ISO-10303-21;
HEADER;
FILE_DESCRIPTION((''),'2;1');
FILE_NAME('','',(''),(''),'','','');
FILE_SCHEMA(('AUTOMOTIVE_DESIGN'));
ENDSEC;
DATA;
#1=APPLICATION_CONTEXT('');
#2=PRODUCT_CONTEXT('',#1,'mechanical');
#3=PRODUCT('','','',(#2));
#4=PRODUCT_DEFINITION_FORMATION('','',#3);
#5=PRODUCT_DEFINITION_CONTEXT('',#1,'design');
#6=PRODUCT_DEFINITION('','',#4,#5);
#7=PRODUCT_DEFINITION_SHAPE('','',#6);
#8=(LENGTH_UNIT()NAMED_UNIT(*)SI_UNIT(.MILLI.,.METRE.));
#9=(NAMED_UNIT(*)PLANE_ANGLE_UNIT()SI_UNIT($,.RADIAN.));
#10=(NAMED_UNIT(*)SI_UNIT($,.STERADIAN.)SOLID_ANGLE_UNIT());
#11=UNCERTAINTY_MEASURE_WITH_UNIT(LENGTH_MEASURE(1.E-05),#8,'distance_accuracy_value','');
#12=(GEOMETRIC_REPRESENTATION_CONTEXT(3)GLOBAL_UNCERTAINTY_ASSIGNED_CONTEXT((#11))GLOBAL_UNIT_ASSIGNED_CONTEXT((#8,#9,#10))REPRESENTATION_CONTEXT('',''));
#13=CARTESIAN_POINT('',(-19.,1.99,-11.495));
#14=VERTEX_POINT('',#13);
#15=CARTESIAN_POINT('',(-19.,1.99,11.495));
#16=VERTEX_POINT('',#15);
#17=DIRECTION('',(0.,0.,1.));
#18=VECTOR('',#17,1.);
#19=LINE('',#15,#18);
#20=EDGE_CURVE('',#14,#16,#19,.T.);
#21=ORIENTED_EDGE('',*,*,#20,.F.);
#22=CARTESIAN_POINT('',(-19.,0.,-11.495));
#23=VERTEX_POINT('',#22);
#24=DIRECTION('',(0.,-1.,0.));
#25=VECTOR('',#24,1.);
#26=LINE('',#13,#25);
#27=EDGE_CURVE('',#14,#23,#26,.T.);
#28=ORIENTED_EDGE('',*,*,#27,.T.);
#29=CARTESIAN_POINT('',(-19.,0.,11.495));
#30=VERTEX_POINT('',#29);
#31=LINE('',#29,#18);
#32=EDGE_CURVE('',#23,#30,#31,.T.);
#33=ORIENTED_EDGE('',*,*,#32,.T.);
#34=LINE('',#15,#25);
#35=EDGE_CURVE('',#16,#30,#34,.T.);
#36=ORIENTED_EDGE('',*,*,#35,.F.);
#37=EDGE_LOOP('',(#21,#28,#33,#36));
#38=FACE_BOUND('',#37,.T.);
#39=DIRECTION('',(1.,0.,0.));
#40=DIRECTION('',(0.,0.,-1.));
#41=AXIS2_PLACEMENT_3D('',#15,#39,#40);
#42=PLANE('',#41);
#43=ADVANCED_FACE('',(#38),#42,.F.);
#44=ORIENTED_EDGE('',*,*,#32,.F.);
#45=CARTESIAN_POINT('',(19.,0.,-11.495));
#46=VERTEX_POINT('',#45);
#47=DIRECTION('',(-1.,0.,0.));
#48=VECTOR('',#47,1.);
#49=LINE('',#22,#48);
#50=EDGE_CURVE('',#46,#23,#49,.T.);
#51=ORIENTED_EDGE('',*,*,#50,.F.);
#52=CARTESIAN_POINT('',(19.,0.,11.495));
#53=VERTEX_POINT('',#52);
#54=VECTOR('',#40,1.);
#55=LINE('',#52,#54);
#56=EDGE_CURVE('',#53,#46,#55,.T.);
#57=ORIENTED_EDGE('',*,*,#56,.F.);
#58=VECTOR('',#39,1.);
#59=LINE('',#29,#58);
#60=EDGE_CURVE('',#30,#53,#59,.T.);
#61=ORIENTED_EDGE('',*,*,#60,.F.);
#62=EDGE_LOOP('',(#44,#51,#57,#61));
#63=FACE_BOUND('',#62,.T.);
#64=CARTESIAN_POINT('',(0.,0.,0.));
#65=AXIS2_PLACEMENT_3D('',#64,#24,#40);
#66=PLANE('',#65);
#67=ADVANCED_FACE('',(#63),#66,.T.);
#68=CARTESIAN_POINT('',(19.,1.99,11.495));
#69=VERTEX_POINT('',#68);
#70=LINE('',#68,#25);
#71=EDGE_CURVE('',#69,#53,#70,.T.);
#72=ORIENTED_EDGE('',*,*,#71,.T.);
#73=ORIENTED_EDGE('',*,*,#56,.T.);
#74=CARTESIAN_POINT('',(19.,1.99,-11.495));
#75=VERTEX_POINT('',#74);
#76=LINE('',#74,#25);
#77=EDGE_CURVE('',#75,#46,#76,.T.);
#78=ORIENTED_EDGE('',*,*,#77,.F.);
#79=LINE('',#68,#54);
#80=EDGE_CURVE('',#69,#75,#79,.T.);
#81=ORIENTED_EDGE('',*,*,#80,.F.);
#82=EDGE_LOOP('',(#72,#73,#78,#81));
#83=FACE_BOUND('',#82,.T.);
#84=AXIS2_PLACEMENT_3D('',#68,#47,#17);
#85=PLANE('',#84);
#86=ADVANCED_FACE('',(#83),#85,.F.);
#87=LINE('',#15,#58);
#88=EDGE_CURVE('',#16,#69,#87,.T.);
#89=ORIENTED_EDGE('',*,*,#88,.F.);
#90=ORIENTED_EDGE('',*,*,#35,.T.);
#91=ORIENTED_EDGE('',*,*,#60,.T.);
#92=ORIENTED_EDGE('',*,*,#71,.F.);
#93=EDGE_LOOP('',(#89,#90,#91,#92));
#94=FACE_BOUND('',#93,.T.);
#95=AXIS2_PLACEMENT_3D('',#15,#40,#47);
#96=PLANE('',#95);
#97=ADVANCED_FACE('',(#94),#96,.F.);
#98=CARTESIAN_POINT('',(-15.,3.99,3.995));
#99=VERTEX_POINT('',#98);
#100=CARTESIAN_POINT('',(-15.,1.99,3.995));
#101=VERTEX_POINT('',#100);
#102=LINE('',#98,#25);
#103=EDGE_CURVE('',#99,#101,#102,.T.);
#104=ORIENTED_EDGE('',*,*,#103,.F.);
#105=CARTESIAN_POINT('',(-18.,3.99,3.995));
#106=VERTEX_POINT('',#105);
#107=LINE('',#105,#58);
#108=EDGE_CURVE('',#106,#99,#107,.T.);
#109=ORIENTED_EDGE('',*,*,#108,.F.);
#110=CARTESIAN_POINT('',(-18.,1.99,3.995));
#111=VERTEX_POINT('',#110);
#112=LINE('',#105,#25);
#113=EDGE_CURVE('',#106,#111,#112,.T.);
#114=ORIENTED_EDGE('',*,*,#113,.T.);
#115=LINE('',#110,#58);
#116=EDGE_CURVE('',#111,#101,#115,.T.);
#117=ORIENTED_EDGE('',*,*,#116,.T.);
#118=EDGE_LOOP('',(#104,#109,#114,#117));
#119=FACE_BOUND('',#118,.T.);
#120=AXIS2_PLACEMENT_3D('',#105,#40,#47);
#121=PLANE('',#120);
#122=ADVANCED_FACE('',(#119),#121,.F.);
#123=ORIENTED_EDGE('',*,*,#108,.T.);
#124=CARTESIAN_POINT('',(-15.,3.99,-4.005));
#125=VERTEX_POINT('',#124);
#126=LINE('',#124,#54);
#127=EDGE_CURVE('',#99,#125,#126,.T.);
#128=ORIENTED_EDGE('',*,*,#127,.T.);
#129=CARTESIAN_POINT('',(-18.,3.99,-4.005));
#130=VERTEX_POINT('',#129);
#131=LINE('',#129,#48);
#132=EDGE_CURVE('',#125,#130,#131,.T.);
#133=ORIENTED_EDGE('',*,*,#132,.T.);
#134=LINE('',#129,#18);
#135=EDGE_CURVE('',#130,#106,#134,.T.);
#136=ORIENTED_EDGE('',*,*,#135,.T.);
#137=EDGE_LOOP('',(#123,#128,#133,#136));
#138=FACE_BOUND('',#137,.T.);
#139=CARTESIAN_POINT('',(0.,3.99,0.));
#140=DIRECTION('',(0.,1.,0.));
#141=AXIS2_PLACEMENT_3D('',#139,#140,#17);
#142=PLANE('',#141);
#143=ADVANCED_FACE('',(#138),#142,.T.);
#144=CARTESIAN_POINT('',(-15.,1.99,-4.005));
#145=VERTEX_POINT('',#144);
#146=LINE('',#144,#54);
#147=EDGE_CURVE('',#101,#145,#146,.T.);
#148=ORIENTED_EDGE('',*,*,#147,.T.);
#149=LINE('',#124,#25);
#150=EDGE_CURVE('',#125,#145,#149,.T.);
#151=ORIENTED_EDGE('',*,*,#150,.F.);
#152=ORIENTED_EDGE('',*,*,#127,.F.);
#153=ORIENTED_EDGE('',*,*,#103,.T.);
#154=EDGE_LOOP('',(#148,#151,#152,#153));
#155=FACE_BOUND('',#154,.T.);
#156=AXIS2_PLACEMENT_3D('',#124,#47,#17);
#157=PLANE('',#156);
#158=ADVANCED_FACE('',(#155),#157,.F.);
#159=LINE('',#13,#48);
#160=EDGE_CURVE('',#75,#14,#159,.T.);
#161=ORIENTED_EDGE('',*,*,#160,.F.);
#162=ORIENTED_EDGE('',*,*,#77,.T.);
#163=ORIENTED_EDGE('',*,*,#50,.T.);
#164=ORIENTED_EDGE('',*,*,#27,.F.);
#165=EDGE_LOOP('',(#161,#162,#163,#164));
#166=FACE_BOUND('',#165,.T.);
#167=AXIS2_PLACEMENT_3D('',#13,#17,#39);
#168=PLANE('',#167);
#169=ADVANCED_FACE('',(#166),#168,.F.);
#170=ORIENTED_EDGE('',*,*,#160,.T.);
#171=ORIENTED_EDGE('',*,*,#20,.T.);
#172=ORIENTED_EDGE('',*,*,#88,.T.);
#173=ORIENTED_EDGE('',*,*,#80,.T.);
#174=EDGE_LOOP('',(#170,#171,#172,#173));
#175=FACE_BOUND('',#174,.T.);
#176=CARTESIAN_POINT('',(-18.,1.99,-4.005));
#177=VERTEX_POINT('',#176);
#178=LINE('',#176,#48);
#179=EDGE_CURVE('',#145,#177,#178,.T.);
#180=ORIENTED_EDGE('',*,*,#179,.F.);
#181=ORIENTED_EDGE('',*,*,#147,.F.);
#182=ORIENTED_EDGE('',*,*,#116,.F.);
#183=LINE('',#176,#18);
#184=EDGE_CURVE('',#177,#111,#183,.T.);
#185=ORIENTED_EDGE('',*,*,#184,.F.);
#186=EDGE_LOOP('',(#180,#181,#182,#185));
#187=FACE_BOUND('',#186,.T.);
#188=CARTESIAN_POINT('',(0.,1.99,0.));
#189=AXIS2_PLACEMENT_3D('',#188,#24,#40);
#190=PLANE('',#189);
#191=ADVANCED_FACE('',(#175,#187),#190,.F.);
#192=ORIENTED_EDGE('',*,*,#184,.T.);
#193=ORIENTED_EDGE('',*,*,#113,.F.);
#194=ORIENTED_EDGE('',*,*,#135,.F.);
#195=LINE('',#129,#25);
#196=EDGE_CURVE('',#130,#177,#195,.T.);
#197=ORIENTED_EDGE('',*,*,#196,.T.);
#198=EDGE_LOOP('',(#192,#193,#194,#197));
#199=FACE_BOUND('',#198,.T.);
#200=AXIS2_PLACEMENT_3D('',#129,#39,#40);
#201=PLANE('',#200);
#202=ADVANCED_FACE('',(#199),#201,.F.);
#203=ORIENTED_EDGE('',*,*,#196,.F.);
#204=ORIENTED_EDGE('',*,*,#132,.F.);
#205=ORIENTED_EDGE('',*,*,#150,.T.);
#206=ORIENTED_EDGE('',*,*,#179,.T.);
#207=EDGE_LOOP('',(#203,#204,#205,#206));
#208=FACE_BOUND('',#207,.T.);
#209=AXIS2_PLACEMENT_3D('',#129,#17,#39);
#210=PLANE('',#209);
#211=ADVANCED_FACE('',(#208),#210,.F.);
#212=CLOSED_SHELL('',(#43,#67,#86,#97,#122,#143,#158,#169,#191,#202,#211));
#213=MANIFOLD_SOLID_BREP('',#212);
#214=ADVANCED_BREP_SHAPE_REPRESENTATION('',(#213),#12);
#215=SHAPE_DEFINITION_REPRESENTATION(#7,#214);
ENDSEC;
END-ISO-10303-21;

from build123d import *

# Parameters (mm, degrees)
SKETCH1_W           = 38
SKETCH1_H           = 22.99
BOSS_EXTRUDE1_DEPTH = 1.99
SKETCH2_W           = 3
SKETCH2_H           = 8
BOSS_EXTRUDE2_DEPTH = 2


with BuildPart() as part:
    # Sketch1 → Boss-Extrude1 (new body)
    with BuildSketch(Plane(origin=(0, 0, 0), x_dir=(1, 0, 0), z_dir=(0, 1, 0))):
        Rectangle(SKETCH1_W, SKETCH1_H)
    extrude(amount=BOSS_EXTRUDE1_DEPTH)

    # Sketch2 → Boss-Extrude2 (add)
    with BuildSketch(Plane(origin=(0, 1.99, 0), x_dir=(1, 0, 0), z_dir=(0, 1, 0))):
        with Locations((-16.5, 0.005)):
            Rectangle(SKETCH2_W, SKETCH2_H)
    extrude(amount=BOSS_EXTRUDE2_DEPTH)


solid = part.part
